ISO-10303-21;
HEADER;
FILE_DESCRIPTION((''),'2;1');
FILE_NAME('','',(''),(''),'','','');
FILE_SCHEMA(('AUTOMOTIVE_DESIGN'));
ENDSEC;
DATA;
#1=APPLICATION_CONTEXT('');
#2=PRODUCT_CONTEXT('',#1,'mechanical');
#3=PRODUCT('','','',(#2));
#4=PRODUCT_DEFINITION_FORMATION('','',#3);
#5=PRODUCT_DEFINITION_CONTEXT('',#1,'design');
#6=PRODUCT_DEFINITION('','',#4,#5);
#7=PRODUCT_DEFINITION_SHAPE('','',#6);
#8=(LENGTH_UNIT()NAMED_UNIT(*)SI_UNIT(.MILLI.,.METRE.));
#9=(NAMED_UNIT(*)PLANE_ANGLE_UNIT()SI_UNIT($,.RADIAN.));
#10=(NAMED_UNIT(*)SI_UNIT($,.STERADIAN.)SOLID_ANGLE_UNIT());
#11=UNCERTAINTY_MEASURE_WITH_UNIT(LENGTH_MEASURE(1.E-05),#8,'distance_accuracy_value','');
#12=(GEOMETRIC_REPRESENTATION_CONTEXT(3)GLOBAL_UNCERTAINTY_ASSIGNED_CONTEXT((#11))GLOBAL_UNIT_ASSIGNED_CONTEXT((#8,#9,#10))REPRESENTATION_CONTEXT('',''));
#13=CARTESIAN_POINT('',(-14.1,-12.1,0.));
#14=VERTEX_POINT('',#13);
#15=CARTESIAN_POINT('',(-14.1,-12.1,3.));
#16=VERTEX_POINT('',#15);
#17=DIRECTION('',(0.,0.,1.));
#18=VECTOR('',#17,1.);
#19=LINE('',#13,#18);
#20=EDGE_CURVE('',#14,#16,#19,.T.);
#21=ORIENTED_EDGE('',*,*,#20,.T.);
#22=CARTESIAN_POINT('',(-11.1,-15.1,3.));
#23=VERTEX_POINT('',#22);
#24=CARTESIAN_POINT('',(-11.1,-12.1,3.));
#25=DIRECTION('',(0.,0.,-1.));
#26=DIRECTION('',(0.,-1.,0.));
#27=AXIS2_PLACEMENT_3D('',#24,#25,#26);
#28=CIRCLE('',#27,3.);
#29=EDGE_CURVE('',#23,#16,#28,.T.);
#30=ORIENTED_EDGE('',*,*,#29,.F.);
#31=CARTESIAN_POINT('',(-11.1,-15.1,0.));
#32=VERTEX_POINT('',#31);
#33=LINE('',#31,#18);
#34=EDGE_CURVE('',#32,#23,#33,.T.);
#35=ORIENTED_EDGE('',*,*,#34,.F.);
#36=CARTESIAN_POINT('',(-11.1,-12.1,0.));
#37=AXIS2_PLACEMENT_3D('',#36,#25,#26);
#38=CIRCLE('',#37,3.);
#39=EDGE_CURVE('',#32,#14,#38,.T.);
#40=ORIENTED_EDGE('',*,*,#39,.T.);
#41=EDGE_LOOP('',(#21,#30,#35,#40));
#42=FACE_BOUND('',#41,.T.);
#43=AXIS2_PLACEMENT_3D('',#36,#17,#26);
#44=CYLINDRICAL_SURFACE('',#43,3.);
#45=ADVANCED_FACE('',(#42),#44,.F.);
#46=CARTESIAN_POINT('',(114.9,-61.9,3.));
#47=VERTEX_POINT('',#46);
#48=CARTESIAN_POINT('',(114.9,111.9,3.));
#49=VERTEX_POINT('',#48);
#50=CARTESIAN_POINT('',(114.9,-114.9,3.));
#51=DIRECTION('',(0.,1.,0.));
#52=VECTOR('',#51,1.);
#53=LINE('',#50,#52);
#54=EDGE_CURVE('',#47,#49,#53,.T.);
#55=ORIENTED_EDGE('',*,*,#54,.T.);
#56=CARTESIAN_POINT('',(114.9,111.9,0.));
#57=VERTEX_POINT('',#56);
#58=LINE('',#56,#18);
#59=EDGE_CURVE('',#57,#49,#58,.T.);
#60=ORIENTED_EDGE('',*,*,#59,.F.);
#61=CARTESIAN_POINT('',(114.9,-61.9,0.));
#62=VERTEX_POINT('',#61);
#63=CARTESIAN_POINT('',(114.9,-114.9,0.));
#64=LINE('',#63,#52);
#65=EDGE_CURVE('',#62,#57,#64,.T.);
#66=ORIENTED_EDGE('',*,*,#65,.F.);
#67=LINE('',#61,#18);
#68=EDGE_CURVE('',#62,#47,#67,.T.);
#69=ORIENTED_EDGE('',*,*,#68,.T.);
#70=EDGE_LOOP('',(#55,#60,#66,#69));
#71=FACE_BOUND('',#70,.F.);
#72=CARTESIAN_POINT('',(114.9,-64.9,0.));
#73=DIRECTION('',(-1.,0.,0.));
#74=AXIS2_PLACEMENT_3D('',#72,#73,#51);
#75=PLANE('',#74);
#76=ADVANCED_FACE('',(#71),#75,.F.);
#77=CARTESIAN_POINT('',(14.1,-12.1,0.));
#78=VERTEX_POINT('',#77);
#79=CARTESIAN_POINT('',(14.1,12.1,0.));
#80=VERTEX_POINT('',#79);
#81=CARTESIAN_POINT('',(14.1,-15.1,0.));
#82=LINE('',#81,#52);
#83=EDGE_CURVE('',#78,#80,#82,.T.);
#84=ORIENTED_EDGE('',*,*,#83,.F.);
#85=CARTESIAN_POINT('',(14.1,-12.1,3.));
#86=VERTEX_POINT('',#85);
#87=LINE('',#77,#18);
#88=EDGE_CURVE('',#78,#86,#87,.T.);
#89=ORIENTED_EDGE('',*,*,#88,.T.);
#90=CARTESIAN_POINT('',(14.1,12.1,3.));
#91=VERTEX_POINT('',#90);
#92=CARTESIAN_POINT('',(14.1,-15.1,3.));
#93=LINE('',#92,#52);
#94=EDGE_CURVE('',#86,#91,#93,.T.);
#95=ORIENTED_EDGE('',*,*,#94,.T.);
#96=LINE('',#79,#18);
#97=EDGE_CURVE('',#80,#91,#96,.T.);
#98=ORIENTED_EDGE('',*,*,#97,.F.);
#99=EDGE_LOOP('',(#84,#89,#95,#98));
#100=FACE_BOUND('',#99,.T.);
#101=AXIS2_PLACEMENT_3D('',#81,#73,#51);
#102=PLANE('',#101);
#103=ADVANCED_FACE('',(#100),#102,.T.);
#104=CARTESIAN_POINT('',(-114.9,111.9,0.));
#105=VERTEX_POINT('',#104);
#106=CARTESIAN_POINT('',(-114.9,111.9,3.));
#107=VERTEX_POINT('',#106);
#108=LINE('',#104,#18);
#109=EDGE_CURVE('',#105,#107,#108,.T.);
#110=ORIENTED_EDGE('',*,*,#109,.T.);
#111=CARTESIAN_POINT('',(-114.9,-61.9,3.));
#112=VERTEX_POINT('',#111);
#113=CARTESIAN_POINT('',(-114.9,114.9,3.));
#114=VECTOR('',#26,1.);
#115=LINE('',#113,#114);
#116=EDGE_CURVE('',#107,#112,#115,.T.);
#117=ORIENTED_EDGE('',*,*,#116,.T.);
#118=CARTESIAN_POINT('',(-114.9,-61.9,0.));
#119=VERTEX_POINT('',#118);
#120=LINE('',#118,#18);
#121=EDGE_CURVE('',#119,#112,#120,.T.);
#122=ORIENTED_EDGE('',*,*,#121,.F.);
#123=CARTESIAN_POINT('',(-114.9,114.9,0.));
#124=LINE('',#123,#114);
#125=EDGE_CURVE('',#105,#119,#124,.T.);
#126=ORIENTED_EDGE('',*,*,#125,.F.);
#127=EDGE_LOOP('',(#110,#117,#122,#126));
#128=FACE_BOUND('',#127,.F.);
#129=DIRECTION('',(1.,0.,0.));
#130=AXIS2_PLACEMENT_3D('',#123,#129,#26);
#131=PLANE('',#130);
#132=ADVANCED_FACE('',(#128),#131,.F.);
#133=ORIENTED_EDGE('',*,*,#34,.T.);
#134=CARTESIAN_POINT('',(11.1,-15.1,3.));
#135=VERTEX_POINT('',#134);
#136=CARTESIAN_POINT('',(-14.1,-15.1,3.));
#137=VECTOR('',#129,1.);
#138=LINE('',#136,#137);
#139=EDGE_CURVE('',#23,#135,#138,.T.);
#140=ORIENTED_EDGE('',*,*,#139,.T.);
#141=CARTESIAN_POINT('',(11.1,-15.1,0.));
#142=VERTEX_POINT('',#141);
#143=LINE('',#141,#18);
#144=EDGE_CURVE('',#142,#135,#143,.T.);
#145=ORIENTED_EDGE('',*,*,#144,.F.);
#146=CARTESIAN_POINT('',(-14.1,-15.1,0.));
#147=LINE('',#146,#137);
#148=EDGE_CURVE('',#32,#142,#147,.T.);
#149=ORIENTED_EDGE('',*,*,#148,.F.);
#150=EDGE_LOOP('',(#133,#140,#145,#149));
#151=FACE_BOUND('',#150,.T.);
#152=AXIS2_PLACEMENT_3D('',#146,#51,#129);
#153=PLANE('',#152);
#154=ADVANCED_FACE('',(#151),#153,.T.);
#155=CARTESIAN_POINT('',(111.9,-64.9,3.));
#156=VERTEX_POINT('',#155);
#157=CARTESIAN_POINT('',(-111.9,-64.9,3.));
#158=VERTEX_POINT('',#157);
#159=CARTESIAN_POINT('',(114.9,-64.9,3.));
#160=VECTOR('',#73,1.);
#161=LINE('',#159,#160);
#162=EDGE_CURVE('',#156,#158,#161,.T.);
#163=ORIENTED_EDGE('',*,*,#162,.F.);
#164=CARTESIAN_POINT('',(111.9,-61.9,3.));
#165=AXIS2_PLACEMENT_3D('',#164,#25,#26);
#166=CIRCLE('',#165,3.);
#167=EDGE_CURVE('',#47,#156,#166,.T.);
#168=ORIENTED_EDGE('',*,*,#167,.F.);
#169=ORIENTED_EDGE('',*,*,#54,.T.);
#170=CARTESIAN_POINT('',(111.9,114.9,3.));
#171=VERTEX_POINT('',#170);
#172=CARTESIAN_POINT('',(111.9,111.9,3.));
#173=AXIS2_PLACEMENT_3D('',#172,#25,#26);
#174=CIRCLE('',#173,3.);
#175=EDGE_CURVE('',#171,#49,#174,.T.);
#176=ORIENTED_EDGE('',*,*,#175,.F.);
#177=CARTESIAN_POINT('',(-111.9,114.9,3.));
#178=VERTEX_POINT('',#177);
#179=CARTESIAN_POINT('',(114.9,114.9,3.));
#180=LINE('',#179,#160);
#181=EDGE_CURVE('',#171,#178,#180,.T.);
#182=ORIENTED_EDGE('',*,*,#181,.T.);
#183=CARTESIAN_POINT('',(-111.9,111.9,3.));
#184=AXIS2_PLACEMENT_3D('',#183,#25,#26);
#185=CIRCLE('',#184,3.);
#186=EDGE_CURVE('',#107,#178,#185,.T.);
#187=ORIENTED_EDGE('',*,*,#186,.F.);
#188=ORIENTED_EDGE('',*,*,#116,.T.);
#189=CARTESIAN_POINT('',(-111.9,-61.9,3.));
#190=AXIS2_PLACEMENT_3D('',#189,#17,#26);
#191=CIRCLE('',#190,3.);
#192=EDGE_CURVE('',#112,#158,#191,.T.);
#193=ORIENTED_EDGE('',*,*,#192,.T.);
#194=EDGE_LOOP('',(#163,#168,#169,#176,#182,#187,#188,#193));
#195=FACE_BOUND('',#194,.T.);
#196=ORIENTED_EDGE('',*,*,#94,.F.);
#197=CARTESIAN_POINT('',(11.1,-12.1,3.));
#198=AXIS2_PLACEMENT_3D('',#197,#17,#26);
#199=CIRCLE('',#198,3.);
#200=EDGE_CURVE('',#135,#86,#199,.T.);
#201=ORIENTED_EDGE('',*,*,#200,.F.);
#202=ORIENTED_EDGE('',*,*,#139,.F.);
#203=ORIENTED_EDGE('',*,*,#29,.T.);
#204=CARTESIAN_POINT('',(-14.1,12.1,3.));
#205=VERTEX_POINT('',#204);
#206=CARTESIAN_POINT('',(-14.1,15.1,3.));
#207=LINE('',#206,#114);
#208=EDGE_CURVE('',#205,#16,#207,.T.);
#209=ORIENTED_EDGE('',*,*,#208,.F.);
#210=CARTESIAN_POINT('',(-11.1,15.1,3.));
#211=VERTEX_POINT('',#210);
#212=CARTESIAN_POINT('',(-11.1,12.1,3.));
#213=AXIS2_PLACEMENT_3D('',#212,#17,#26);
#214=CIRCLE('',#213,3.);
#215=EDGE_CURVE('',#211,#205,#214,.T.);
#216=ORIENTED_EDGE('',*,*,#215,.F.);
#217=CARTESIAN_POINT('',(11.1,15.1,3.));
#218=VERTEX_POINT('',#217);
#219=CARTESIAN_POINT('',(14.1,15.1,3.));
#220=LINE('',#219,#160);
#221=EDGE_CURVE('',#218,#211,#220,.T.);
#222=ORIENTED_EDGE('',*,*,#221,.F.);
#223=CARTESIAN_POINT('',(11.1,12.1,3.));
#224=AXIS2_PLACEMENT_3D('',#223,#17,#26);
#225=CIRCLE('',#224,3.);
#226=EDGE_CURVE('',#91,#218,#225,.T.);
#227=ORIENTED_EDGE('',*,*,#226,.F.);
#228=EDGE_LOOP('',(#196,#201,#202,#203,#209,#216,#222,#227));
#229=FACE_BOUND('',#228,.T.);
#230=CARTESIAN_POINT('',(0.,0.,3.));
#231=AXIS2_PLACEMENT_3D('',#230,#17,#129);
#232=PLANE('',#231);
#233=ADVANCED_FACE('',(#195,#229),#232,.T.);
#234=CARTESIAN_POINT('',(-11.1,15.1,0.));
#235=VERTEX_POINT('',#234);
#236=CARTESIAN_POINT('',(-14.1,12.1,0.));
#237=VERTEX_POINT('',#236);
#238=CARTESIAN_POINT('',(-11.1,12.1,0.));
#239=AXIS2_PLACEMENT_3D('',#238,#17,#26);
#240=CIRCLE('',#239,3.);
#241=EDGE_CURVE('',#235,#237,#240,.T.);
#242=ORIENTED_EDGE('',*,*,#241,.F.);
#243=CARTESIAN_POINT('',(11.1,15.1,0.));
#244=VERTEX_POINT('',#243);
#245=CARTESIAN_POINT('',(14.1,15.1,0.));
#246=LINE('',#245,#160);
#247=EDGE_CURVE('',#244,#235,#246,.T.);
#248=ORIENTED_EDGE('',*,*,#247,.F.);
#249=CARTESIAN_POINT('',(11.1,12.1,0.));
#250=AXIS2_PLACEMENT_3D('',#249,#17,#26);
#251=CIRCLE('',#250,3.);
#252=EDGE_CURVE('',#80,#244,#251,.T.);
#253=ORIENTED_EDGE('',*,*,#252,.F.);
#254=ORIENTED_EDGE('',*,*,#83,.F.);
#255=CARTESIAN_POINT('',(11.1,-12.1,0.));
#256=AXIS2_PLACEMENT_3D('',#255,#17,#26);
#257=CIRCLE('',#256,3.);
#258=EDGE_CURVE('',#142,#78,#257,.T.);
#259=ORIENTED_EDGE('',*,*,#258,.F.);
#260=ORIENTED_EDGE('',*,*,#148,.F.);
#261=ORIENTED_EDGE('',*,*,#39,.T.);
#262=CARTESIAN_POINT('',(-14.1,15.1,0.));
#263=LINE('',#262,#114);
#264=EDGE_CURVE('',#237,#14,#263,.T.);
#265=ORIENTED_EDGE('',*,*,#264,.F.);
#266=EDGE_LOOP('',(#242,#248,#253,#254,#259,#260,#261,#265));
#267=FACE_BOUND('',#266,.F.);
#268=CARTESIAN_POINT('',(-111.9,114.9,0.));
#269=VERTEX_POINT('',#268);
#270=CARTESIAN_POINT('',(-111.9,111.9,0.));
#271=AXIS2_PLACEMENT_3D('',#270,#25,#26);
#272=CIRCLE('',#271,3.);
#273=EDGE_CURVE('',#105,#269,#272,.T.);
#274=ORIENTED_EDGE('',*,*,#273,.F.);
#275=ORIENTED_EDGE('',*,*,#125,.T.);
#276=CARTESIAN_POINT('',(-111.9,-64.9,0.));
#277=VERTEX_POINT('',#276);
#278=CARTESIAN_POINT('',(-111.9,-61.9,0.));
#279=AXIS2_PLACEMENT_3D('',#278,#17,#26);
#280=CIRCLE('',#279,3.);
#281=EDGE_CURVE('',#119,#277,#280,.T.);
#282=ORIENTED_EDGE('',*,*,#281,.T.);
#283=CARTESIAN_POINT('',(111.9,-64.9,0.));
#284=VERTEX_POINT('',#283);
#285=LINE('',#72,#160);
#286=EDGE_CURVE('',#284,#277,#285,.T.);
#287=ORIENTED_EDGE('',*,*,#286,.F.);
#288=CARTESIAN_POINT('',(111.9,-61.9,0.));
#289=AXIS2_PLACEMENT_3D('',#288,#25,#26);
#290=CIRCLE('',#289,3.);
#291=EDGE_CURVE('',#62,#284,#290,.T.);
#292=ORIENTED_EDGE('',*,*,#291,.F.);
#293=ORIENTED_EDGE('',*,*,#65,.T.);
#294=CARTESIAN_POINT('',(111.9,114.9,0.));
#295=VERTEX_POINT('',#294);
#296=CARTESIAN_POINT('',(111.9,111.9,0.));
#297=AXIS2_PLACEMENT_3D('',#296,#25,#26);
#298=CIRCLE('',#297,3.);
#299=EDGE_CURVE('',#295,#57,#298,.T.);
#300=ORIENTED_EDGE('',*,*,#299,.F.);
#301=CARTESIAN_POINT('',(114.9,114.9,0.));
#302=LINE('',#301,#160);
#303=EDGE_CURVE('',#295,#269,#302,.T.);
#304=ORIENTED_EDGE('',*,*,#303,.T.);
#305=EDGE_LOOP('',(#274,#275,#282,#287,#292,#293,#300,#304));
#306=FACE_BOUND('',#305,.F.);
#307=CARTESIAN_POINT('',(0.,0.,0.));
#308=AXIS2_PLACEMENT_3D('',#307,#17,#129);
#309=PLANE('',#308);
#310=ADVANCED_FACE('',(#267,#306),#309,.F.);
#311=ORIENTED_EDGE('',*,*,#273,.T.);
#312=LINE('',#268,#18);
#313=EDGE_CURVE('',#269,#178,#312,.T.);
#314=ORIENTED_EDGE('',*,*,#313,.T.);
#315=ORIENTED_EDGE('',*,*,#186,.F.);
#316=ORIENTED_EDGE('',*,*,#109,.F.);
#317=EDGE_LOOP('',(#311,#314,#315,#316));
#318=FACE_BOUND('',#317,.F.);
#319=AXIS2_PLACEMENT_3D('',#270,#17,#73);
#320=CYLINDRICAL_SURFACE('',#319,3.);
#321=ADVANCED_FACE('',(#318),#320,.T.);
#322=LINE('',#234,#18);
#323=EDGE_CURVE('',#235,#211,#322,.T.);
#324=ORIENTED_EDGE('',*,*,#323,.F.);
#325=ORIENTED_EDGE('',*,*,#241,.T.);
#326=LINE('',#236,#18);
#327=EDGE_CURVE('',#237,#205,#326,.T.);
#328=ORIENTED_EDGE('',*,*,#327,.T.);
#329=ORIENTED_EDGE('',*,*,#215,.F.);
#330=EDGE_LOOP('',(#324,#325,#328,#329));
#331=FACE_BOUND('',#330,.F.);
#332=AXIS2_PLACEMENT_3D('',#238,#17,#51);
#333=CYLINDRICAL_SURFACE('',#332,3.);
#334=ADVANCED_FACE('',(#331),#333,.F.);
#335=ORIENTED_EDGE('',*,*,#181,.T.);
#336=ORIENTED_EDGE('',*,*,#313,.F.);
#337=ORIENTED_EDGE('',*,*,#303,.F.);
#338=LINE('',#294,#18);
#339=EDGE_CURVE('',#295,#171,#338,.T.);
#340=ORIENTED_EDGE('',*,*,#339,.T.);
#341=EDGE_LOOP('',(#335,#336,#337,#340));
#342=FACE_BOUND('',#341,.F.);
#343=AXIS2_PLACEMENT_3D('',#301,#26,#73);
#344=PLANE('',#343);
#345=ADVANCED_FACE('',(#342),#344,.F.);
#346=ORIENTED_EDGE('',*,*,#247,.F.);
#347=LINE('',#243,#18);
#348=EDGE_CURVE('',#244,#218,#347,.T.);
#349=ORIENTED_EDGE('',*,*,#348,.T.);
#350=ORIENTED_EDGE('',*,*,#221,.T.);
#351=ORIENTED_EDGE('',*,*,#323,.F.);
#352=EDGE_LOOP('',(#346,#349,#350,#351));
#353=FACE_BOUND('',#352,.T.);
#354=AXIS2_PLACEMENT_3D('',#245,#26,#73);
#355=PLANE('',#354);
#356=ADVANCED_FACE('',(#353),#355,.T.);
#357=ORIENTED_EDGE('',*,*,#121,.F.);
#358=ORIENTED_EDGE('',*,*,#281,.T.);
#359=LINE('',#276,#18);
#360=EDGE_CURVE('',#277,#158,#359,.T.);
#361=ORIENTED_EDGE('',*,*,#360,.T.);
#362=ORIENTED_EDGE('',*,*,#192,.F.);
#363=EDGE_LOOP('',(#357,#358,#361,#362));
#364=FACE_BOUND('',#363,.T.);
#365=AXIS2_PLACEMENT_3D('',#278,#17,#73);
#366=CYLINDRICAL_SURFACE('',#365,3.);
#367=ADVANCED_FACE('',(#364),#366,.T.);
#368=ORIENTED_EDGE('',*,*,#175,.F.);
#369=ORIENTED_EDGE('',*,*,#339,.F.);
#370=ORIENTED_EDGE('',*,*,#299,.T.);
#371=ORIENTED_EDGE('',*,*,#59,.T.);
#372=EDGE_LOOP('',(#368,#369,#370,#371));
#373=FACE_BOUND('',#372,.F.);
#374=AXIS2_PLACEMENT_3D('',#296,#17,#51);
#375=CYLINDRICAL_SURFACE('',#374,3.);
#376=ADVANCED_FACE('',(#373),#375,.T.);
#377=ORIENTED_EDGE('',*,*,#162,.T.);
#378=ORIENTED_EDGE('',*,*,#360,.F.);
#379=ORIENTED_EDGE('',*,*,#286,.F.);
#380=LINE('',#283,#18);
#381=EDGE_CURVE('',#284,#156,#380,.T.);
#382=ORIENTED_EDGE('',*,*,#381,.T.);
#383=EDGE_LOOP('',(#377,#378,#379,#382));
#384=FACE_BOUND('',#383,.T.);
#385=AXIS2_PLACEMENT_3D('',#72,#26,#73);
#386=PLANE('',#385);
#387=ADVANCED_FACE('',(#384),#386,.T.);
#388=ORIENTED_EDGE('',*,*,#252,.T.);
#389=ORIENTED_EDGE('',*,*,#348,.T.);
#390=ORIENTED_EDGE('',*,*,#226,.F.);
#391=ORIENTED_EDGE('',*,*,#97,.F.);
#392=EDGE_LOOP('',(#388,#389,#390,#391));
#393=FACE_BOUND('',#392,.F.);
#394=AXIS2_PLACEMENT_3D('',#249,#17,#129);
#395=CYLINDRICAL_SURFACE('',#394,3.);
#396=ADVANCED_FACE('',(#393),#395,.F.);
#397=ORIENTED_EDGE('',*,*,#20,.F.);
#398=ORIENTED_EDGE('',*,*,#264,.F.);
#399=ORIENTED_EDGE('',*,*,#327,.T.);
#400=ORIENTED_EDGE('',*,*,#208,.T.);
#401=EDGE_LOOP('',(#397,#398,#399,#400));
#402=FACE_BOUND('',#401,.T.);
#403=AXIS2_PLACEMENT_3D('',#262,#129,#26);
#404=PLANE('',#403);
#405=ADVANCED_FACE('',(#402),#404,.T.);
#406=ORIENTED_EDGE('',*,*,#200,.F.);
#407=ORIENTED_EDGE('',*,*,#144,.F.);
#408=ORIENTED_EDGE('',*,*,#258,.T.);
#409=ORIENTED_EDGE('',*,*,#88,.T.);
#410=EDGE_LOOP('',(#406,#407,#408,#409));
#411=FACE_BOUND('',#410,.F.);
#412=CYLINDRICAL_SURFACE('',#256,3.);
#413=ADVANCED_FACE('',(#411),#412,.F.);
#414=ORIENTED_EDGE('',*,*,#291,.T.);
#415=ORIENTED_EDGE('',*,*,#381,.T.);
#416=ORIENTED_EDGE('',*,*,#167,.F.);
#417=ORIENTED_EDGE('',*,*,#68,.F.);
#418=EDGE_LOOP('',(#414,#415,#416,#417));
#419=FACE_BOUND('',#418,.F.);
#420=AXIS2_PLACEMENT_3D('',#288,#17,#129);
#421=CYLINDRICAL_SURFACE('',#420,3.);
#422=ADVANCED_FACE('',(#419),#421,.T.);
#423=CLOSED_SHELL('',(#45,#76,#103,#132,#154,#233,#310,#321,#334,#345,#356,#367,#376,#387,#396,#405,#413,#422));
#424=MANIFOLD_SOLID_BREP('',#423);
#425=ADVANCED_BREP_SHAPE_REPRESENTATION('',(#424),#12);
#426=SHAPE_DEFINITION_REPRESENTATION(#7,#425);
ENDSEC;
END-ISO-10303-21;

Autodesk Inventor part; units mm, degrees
ref_plane "YZ Plane" through (0, 0, 0) normal (1, 0, 0) x (0, 1, 0)
ref_plane "XZ Plane" through (0, 0, 0) normal (0, 1, 0) x (-1, 0, 0)
ref_plane "XY Plane" through (0, 0, 0) normal (0, 0, 1) x (1, 0, 0)
sketch "Sketch1" plane through (0, 0, 0) normal (0, 0, 1) x (1, 0, 0)
  line L0 (-14.1, -15.1) -> (14.1, -15.1)
  line L1 (14.1, -15.1) -> (14.1, 15.1)
  line L2 (14.1, 15.1) -> (-14.1, 15.1)
  line L3 (-14.1, 15.1) -> (-14.1, -15.1)
  line L4 (-14.1, -15.1) -> (14.1, 15.1) construction
  line L5 (14.1, -15.1) -> (-14.1, 15.1) construction
  line L6 (-114.9, -114.9) -> (114.9, -114.9)
  line L7 (114.9, -114.9) -> (114.9, 114.9)
  line L8 (114.9, 114.9) -> (-114.9, 114.9)
  line L9 (-114.9, 114.9) -> (-114.9, -114.9)
  line L10 (-114.9, -114.9) -> (114.9, 114.9) construction
  line L11 (114.9, -114.9) -> (-114.9, 114.9) construction
  line L12 (-114.9, -114.9) -> (114.9, -114.9)
  line L13 (114.9, -114.9) -> (114.9, -64.9)
  line L14 (114.9, -64.9) -> (-114.9, -64.9)
  line L15 (-114.9, -64.9) -> (-114.9, -114.9)
  point P0 (0, 0)
  point P1 (-114.9, -64.9)
  dimension "d0" = 28.2
  dimension "d1" = 30.2
  dimension "d2" = 229.8
  dimension "d3" = 229.8
  dimension "d4" = 179.8
  dimension "d9" = 64.9
  dimension "d10" = 114.9
extrude "Extrusion1" add sketch "Sketch1" along normal blind 3 contours L9 L8 L7 L14
fillet "Fillet1" radius 3 4 edges at (-14.1, -15.1, 1.5) (-14.1, 15.1, 1.5) (14.1, 15.1, 1.5) (14.1, -15.1, 1.5)
fillet "Fillet2" radius 3 4 edges at (114.9, 114.9, 1.5) (114.9, -64.9, 1.5) (-114.9, -64.9, 1.5) (-114.9, 114.9, 1.5)
properties part number "ChamberCamSide"
